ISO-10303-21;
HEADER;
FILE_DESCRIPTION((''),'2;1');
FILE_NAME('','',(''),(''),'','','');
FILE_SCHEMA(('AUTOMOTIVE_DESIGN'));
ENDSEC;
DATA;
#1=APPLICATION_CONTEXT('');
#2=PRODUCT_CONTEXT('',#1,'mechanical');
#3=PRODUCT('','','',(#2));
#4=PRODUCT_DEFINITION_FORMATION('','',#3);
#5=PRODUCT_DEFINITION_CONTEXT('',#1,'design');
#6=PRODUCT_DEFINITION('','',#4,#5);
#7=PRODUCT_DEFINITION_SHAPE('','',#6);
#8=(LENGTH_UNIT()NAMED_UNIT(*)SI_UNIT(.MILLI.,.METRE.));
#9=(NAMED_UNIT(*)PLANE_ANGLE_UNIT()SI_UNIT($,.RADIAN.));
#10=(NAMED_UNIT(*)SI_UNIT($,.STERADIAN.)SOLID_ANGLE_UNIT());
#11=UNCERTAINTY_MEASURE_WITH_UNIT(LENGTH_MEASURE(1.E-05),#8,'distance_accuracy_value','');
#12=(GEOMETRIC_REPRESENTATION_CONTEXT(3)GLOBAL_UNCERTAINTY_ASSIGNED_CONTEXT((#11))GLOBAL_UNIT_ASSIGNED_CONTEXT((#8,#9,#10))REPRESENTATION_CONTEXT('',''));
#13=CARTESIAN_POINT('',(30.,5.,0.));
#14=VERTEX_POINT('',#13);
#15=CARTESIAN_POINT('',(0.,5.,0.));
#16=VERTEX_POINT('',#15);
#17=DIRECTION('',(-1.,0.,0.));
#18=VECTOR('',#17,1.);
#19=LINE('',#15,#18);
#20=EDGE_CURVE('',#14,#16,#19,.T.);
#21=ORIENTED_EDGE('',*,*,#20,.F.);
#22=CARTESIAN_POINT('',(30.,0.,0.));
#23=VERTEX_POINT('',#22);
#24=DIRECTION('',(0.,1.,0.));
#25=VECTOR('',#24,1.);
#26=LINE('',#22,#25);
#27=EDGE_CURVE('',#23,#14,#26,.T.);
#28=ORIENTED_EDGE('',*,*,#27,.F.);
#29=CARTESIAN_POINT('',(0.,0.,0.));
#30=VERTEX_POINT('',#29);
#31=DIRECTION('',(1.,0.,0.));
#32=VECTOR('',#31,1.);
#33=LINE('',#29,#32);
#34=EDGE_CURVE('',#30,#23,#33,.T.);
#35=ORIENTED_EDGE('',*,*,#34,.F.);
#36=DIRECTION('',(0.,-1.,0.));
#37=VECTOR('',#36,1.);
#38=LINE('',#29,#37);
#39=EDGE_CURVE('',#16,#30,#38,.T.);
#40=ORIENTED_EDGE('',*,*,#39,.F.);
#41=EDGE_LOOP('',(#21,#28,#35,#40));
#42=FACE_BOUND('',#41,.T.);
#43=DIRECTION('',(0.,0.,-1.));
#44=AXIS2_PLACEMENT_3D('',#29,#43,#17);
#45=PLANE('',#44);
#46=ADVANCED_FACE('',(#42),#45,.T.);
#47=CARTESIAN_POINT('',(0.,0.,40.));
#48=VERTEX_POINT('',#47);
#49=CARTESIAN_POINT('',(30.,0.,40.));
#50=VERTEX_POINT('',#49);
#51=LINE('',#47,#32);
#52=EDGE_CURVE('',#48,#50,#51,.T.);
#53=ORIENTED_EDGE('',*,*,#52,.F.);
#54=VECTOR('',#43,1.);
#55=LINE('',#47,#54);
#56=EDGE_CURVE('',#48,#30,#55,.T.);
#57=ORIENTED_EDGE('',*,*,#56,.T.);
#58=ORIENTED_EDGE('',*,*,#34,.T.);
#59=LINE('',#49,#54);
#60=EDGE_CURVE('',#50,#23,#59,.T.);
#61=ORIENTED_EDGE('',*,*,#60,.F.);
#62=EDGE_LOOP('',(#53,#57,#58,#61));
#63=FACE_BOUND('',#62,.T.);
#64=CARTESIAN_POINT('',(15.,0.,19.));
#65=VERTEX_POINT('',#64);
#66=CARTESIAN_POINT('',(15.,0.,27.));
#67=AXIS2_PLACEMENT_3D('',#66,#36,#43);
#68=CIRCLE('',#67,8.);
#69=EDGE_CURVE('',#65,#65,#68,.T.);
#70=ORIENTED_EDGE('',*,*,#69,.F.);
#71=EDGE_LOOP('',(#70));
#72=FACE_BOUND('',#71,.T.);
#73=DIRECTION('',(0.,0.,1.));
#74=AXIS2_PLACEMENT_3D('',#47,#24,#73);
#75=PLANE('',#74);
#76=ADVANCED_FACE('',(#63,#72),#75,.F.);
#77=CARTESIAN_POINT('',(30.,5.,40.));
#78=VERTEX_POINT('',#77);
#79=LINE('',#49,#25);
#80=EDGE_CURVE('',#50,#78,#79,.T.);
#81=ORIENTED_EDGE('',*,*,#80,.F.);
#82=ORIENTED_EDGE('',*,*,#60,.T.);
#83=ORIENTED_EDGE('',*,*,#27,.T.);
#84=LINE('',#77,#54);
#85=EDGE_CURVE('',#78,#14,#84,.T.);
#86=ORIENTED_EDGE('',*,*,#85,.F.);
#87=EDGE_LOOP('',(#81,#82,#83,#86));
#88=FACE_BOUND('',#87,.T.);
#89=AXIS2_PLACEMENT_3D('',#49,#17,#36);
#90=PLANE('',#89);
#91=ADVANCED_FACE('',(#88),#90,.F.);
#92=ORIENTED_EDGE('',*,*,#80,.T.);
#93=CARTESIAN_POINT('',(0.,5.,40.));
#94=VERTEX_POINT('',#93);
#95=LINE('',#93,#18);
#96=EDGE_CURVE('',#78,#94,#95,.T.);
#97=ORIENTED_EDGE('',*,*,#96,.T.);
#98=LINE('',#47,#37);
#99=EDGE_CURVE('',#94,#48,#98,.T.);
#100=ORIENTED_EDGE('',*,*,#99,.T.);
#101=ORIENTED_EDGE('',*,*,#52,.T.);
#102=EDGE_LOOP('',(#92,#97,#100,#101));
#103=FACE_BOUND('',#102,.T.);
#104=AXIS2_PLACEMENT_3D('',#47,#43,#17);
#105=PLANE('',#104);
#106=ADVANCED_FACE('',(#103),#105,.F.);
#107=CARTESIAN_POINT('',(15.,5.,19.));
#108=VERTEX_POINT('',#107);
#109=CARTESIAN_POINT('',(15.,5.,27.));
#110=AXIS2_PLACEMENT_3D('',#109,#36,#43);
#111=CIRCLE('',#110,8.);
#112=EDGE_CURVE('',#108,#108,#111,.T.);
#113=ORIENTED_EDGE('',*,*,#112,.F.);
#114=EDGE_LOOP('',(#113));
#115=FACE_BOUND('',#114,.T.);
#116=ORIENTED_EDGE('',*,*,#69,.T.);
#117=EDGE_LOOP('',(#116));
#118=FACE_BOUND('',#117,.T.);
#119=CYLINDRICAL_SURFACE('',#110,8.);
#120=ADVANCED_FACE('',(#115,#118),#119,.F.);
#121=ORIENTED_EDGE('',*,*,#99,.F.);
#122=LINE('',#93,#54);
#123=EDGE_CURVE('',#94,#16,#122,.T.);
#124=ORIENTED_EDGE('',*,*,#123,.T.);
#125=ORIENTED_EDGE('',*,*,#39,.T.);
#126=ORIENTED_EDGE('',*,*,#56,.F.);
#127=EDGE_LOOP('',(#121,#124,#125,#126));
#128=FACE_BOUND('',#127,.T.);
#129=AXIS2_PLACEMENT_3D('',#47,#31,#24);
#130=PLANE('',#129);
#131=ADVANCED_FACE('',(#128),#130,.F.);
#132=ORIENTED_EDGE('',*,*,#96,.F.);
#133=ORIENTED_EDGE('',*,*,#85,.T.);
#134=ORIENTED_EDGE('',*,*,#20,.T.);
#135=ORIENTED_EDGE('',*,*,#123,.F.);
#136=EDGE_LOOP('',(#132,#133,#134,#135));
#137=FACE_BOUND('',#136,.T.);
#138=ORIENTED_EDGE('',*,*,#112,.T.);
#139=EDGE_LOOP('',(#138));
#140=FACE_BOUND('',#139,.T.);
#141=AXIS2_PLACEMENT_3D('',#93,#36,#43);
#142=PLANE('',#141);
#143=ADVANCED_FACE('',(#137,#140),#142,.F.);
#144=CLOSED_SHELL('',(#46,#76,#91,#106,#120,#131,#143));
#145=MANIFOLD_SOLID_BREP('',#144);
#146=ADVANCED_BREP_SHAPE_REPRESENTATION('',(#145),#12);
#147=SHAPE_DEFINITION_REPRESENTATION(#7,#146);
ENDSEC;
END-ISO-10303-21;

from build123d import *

# Parameters (mm, degrees)
ESQUISSE1_W             = 30
ESQUISSE1_H             = 5
BOSS_EXTRU_1_DEPTH      = 40
ESQUISSE2_R             = 8
ENL_V_MAT_EXTRU_1_DEPTH = 51.249378106


with BuildPart() as part:
    # Esquisse1 → Boss.-Extru.1 (new body)
    with BuildSketch(Plane.XY):
        with Locations((15, 2.5)):
            Rectangle(ESQUISSE1_W, ESQUISSE1_H)
    extrude(amount=BOSS_EXTRU_1_DEPTH)

    # Esquisse2 → Enlèv. mat.-Extru.1 (cut, through all)
    with BuildSketch(Plane.XZ):
        with Locations(Location((15, 27, 0), (0, 0, 270))):
            Circle(ESQUISSE2_R)
    extrude(amount=-ENL_V_MAT_EXTRU_1_DEPTH, mode=Mode.SUBTRACT)


solid = part.part
